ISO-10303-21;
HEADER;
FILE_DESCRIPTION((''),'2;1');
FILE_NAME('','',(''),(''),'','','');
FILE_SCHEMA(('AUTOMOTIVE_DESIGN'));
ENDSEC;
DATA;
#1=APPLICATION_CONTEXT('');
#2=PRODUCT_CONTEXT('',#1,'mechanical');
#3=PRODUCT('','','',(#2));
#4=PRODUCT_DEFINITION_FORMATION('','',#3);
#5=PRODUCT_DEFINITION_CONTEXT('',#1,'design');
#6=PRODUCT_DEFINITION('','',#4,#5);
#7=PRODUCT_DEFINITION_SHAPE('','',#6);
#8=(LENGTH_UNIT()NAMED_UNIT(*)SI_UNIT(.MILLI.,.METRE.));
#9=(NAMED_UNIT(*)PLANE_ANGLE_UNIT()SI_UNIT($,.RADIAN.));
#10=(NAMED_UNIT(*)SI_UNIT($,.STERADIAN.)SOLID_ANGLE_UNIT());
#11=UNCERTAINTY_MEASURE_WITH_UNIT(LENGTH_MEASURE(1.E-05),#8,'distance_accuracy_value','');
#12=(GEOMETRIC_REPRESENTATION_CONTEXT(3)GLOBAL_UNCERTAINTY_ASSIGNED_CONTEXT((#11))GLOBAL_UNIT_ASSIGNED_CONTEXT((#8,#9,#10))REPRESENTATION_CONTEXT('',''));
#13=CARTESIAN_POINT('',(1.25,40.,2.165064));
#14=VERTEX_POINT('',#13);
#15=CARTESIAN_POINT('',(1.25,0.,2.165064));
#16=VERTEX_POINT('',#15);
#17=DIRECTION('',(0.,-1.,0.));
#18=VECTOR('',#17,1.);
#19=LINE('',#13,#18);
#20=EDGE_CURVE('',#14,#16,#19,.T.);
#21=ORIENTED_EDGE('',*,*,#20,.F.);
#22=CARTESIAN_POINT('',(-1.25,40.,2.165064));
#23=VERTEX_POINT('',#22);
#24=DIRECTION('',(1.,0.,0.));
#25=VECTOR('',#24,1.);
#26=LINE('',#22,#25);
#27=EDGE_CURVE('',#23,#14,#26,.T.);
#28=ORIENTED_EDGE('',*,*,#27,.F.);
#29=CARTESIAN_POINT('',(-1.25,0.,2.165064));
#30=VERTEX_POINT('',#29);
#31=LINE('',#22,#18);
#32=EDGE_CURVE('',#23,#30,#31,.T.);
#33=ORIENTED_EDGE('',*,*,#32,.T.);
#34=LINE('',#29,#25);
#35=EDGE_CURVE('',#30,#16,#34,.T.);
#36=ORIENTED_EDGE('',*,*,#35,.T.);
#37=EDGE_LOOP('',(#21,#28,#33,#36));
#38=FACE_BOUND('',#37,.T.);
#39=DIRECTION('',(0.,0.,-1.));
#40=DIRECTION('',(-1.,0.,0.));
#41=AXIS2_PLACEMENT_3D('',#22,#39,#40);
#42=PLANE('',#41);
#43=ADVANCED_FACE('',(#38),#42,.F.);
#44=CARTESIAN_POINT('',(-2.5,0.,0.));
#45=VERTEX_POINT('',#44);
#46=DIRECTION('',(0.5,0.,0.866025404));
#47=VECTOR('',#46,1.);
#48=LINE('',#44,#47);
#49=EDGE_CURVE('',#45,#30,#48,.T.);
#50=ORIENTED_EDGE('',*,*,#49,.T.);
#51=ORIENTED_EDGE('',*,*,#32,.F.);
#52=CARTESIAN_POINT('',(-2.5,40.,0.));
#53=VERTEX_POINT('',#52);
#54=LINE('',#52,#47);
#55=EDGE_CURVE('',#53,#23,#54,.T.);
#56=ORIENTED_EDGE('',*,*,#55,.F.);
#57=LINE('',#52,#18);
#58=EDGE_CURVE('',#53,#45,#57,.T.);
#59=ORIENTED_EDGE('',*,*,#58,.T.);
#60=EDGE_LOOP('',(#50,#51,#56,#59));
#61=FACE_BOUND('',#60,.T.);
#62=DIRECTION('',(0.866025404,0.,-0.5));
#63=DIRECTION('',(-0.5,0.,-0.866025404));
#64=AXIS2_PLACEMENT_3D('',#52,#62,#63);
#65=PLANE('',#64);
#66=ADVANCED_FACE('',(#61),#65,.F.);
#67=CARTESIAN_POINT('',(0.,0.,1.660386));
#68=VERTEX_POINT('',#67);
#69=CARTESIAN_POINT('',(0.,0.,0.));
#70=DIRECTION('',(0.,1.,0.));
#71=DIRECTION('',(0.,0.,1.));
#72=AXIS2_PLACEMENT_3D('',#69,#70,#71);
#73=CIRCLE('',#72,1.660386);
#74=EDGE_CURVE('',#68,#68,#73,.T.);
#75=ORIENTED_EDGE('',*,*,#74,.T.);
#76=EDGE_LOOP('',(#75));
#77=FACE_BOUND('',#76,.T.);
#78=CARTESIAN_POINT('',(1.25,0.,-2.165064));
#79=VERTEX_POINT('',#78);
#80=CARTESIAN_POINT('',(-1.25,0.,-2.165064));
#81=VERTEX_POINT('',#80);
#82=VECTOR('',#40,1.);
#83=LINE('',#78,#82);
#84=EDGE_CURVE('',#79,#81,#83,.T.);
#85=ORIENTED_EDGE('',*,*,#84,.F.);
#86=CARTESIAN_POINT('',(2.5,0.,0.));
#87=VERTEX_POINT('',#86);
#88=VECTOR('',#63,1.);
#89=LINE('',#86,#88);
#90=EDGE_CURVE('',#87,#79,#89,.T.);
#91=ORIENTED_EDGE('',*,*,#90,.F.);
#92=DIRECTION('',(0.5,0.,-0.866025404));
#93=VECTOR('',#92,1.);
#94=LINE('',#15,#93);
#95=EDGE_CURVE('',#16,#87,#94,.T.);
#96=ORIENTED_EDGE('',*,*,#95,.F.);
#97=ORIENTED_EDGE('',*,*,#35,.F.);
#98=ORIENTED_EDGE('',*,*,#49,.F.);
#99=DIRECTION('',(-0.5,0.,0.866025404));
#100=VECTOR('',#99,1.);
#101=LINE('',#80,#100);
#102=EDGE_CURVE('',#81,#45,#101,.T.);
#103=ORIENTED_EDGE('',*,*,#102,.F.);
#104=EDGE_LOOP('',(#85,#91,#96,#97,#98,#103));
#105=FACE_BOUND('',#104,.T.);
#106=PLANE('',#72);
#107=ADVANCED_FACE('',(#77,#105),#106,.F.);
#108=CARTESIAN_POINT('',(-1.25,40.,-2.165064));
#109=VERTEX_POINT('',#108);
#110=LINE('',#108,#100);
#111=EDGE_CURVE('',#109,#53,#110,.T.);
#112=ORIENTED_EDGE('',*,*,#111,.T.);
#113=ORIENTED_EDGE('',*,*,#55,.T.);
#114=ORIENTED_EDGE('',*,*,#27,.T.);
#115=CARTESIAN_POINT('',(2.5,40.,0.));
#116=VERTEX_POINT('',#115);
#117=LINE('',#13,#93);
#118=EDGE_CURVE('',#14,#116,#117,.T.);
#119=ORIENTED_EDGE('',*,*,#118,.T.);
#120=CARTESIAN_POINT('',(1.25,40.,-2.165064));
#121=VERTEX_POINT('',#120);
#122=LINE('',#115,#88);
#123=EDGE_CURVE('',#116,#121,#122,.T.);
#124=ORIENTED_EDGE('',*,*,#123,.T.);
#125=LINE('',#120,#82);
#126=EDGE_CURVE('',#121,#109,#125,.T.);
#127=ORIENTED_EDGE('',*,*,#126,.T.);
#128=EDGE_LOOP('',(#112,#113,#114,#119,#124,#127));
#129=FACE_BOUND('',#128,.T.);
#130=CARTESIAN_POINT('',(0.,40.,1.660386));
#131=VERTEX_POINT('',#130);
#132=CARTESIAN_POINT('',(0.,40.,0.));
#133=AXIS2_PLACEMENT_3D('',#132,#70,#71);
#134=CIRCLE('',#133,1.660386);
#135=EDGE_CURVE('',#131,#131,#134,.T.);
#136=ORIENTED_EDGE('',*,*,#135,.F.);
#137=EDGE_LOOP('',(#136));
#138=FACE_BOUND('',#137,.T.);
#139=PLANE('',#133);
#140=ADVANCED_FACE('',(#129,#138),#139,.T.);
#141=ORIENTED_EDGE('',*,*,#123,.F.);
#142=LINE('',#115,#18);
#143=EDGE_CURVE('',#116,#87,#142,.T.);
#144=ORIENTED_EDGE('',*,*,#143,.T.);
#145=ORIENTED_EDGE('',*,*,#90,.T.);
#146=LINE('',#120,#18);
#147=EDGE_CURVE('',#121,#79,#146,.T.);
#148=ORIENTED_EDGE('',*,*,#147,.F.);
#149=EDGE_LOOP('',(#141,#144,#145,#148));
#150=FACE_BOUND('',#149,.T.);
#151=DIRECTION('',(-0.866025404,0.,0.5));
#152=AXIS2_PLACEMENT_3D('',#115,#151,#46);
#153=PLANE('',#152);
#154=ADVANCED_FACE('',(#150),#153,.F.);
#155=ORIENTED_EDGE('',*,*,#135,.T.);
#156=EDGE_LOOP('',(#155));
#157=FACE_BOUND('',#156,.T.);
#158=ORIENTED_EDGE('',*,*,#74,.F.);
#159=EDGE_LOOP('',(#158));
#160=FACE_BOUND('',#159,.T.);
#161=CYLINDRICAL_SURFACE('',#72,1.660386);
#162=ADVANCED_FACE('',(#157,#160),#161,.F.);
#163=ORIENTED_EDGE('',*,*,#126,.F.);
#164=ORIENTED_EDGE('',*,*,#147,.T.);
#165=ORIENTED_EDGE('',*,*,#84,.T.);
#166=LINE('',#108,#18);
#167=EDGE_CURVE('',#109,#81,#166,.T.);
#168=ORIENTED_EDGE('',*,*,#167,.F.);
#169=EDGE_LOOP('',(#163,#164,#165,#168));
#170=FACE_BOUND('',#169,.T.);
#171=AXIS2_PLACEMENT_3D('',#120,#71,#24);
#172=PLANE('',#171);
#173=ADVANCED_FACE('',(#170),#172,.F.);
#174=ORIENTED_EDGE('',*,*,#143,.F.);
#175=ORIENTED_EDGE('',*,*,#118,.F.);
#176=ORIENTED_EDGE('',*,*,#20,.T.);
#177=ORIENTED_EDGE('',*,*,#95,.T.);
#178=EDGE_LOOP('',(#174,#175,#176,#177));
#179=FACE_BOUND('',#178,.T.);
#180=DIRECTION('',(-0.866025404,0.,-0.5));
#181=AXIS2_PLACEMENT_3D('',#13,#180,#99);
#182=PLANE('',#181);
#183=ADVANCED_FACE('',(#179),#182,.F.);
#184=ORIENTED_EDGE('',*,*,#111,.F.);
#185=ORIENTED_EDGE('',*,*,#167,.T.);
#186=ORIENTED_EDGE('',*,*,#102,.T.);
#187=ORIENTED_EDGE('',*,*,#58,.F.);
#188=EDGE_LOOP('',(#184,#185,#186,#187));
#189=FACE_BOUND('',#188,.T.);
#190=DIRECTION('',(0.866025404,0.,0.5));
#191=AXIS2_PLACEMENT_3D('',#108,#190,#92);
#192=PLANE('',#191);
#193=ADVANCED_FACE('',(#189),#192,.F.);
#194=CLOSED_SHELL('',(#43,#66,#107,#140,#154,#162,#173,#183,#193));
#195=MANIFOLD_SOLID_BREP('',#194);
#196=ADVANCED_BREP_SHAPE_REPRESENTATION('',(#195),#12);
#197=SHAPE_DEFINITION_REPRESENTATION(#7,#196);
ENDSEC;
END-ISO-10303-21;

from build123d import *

# Parameters (mm, degrees)
BOSS_EXTRUDE1_DEPTH = 40
SKETCH2_R           = 1.660385814
CUT_EXTRUDE1_DEPTH  = 41


with BuildPart() as part:
    # Sketch1 → Boss-Extrude1 (new body)
    with BuildSketch(Plane(origin=(0, 0, 0), x_dir=(1, 0, 0), z_dir=(0, 1, 0))):
        Polygon((2.5, 0), (1.25, 2.165063509), (-1.25, 2.165063509), (-2.5, 0), (-1.25, -2.165063509), (1.25, -2.165063509), align=None)
    extrude(amount=BOSS_EXTRUDE1_DEPTH)

    # Sketch2 → Cut-Extrude1 (cut, through all)
    with BuildSketch(Plane(origin=(0, 40, 0), x_dir=(1, 0, 0), z_dir=(0, 1, 0))):
        Circle(SKETCH2_R)
    extrude(amount=-CUT_EXTRUDE1_DEPTH, mode=Mode.SUBTRACT)


solid = part.part
